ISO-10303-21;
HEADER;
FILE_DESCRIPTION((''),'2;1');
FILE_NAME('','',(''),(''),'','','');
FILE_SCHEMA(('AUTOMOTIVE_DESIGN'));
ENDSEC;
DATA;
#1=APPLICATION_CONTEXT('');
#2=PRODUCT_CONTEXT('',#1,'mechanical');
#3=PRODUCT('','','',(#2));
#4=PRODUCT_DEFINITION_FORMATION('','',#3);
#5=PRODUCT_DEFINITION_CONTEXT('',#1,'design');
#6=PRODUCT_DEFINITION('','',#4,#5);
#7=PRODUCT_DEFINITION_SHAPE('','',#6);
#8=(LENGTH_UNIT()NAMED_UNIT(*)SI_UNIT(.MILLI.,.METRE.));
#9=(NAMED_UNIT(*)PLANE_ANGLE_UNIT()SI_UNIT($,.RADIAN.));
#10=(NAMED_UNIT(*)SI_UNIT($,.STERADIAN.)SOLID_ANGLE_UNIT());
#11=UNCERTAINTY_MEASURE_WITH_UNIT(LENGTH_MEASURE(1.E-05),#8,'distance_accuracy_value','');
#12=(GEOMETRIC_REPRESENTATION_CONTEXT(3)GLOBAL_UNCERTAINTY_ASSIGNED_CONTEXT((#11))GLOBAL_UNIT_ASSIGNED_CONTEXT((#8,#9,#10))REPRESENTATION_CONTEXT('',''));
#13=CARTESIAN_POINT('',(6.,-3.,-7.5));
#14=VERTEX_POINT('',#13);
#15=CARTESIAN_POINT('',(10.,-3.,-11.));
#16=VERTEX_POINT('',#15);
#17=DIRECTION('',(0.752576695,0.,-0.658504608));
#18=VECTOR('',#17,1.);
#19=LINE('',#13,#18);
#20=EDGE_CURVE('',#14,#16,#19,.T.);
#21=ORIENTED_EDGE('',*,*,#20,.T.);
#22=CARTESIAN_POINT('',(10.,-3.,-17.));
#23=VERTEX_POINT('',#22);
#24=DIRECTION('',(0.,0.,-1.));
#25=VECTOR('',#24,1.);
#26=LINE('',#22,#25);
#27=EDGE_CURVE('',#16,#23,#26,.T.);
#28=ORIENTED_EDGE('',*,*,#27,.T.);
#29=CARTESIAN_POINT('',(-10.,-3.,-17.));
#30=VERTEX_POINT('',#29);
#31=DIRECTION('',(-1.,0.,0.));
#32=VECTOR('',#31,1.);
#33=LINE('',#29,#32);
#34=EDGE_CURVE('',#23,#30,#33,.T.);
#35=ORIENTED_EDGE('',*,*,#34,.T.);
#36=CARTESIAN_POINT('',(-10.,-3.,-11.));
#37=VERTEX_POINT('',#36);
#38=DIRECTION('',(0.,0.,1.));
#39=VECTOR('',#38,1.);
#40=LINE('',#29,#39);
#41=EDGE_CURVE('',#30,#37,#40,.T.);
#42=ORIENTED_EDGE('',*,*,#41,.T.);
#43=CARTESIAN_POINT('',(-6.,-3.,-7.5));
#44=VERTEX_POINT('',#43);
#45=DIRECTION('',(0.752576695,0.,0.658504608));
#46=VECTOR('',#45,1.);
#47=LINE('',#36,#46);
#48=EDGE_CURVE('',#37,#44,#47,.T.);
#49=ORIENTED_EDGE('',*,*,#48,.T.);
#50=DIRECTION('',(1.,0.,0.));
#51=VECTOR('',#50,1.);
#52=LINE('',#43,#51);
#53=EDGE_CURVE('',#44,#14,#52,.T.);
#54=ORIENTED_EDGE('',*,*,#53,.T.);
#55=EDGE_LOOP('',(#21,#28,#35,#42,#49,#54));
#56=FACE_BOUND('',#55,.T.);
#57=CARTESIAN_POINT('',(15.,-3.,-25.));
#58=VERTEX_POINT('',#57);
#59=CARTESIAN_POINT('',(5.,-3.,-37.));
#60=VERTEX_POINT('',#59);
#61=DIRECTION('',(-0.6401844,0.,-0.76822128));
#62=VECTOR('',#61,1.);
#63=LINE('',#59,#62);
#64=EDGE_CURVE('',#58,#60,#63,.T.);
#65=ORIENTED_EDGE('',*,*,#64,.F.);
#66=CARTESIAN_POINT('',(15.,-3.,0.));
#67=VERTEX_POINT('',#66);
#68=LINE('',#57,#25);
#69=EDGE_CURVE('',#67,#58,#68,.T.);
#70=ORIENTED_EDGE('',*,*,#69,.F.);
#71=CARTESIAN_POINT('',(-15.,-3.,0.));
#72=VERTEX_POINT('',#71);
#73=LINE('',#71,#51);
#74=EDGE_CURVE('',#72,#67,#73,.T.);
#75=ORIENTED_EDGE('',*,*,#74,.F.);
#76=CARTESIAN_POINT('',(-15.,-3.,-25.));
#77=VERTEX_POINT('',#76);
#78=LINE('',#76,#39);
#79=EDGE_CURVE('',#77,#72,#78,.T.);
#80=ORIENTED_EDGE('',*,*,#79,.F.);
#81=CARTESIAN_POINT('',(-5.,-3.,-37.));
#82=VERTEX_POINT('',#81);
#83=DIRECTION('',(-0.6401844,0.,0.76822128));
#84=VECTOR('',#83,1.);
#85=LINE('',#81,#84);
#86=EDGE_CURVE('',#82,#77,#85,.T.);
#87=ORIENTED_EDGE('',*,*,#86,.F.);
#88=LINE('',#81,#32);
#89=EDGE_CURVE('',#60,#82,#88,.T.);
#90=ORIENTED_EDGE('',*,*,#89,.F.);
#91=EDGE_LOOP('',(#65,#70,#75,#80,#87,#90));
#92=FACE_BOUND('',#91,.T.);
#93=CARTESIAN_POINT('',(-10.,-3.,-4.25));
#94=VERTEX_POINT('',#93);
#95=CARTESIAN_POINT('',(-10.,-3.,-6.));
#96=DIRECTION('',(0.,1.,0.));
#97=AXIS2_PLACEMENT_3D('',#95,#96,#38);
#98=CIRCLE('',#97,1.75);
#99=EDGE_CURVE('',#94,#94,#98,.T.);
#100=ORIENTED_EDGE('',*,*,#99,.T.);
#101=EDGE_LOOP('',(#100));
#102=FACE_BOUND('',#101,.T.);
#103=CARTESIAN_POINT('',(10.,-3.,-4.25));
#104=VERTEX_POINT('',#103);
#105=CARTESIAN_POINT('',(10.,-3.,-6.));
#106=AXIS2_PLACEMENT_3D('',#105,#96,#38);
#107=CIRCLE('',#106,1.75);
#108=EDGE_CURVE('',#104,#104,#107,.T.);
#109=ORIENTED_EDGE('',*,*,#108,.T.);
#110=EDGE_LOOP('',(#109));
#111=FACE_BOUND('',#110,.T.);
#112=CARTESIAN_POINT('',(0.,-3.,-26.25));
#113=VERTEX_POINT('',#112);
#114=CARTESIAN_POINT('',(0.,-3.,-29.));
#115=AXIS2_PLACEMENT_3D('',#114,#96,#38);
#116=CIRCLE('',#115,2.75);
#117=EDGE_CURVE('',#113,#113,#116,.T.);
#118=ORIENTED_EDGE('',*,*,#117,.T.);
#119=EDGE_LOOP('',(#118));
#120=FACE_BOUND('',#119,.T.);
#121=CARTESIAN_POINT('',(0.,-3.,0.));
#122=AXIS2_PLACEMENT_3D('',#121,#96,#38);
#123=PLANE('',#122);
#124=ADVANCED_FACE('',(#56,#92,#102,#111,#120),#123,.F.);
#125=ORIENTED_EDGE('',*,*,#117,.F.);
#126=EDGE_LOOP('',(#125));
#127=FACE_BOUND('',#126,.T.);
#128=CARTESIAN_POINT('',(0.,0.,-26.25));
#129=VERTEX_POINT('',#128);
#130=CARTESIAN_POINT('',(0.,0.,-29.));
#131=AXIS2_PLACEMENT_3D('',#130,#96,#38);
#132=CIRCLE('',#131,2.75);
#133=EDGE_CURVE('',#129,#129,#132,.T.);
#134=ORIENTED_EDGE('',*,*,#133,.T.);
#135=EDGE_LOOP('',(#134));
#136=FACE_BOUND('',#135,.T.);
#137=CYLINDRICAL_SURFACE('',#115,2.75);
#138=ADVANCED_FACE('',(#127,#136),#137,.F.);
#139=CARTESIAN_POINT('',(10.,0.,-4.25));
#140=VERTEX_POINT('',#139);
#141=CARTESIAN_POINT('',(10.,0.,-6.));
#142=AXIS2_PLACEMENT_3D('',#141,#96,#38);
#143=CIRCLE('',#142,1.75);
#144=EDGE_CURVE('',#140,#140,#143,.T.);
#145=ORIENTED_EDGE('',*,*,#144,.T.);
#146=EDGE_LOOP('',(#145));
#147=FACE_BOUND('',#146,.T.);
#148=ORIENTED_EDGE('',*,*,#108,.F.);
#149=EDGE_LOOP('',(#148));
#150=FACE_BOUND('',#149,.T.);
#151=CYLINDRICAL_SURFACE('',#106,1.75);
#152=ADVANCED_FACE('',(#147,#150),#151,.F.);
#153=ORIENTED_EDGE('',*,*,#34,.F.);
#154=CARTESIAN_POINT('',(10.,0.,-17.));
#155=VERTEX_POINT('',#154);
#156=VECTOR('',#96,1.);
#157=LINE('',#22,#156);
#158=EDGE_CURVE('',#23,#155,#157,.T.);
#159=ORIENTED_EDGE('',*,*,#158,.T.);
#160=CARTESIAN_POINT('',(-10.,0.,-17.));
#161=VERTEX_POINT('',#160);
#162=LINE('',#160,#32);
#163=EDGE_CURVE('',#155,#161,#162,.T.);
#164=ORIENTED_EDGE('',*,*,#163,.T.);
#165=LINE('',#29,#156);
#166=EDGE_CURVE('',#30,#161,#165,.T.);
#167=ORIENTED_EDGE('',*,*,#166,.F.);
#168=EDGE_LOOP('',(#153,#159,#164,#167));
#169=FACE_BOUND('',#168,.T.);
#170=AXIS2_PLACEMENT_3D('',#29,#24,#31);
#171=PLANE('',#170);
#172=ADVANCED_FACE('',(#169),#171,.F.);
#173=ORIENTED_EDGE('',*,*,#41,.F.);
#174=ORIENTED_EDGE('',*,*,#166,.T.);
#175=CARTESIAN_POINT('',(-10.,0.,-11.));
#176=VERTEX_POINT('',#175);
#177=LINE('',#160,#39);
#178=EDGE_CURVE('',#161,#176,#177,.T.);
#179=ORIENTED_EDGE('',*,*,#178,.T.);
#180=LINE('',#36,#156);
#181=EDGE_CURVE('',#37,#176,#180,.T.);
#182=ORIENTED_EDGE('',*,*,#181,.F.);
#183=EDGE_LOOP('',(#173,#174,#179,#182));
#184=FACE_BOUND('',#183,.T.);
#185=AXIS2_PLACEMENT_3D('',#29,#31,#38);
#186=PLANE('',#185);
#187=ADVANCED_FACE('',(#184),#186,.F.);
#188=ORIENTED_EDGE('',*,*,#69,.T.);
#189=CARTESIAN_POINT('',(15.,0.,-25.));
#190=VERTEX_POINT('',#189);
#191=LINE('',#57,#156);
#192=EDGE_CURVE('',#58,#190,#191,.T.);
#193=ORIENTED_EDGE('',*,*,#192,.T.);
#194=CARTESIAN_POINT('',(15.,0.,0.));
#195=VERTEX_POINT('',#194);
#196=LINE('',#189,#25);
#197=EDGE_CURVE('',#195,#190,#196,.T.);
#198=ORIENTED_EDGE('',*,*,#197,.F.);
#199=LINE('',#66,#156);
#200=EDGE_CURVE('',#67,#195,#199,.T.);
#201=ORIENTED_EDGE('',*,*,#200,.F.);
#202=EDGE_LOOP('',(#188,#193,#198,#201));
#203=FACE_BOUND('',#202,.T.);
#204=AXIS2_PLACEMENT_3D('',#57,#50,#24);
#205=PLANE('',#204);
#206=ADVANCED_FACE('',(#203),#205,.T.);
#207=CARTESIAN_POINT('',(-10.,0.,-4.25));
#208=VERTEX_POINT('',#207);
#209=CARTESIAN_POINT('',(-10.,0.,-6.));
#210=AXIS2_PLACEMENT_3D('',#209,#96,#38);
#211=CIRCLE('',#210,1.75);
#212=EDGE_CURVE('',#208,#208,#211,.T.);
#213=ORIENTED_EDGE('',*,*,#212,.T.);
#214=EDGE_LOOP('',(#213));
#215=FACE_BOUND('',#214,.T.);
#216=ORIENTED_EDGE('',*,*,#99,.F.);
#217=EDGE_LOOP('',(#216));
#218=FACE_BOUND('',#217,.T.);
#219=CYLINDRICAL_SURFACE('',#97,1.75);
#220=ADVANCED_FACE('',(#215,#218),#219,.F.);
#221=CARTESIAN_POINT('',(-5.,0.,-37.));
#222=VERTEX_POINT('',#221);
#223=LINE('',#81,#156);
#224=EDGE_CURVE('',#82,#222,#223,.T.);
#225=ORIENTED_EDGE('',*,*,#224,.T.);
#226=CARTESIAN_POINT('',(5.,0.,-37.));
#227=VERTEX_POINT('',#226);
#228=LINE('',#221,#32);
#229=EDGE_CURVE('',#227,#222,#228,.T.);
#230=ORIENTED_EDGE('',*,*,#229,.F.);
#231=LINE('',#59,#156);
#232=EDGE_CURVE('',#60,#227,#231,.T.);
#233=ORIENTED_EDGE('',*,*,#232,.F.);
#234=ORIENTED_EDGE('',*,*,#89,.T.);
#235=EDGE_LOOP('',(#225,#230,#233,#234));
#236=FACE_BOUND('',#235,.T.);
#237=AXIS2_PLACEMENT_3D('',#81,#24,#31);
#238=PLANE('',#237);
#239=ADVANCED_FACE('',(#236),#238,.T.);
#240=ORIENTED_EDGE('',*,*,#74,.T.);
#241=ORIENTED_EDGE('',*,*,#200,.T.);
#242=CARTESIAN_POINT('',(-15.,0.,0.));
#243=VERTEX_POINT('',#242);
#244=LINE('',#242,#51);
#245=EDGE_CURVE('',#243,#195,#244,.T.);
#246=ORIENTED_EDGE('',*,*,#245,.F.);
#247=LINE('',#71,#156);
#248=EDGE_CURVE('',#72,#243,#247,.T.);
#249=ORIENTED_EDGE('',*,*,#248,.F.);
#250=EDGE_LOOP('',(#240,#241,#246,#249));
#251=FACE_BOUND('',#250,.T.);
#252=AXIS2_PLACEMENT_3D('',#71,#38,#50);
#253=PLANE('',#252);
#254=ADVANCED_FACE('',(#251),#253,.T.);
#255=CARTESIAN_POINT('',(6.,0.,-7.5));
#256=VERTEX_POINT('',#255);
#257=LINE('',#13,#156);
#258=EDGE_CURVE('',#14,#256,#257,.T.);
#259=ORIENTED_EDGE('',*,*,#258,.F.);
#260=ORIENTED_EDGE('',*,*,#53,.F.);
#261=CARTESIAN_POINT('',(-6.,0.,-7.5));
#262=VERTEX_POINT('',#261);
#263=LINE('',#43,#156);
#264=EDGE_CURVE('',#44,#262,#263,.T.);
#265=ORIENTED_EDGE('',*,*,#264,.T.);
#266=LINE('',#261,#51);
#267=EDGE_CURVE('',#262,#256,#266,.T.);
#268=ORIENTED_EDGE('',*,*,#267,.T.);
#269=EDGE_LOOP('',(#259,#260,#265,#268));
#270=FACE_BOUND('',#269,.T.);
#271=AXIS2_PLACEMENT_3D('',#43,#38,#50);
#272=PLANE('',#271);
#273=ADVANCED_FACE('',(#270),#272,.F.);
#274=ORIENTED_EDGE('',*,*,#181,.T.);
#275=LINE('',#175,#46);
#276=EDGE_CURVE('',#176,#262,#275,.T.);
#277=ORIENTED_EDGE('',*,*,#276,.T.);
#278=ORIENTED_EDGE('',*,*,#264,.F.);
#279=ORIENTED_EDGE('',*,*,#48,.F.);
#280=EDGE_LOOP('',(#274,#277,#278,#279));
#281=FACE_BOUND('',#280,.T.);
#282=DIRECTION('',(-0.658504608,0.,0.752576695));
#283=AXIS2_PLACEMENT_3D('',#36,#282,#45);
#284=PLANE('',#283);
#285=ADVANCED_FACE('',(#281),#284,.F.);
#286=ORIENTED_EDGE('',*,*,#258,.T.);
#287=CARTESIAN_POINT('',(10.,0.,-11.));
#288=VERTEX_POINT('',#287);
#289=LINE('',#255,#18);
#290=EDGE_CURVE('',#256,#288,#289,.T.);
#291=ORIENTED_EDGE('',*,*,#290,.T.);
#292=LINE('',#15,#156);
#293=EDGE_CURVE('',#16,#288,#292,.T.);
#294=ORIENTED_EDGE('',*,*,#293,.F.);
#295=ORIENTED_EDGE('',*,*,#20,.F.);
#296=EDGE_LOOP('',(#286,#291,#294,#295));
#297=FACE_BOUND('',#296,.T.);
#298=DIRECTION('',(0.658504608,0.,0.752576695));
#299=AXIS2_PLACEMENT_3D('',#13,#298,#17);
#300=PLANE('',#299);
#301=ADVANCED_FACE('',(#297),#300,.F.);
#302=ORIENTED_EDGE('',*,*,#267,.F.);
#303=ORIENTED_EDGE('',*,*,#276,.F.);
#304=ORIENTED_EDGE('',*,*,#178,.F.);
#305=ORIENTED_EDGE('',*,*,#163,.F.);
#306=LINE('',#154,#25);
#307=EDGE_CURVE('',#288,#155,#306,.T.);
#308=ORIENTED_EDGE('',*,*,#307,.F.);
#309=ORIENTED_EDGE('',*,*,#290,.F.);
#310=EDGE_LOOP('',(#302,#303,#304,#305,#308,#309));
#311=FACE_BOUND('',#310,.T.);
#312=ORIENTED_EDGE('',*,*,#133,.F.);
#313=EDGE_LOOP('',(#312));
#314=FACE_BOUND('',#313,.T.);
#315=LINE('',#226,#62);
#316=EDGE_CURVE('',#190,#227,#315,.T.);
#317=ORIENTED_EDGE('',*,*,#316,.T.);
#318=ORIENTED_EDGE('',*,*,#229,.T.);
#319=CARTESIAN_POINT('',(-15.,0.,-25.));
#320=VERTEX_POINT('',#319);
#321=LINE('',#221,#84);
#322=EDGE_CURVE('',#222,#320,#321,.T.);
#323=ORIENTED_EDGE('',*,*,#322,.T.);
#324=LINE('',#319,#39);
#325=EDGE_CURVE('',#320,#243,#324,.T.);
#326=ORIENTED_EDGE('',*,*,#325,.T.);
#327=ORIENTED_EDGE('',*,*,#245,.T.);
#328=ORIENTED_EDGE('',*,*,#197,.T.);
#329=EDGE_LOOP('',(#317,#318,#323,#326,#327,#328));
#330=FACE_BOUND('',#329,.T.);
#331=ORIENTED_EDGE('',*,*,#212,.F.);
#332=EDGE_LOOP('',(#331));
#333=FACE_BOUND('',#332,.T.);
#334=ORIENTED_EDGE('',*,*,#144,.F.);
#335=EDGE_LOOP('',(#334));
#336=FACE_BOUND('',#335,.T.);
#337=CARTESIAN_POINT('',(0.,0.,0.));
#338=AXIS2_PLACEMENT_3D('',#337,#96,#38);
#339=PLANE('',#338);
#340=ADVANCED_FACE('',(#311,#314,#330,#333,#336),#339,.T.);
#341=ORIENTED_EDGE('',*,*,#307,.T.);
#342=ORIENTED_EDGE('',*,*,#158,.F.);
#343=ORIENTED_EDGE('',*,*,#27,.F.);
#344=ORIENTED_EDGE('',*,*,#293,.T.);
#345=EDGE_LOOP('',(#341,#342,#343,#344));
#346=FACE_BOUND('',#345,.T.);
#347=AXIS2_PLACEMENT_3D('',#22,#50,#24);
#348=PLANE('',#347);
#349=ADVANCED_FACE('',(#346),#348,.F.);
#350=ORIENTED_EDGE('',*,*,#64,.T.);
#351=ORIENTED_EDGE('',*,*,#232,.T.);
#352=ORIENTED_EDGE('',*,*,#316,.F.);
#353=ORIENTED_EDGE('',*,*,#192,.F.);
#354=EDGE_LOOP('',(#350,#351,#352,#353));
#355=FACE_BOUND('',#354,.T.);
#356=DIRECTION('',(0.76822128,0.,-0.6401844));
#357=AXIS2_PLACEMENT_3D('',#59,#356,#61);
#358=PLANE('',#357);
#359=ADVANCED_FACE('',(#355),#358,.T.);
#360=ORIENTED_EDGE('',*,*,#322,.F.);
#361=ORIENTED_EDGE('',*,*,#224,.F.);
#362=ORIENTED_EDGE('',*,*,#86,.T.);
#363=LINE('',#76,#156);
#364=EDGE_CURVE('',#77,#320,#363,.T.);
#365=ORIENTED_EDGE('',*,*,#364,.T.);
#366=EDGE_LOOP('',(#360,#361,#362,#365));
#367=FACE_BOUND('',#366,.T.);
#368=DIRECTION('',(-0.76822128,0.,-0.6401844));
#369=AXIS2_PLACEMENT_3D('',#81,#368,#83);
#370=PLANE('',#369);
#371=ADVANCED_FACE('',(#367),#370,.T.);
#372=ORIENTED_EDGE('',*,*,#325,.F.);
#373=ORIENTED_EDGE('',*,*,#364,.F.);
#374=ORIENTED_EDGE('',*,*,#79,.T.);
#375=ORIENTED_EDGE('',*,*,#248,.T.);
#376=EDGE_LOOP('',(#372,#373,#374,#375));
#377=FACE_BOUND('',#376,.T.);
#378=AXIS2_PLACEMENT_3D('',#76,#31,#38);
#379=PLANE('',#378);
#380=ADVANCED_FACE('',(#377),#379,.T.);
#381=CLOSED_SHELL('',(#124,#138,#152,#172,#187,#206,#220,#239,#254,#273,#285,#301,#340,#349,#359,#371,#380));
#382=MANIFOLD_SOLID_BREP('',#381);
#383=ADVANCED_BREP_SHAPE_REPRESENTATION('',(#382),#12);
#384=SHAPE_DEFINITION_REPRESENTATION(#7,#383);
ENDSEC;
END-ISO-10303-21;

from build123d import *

# Parameters (mm, degrees)
SKETCH_2_R      = 1.75
SKETCH_2_R_2    = 2.75
EXTRUDE_2_DEPTH = 3


with BuildPart() as part:
    # 草图2 → 凸台-拉伸2 (new body)
    with BuildSketch(Plane(origin=(0, 0, 0), x_dir=(1, 0, 0), z_dir=(0, 1, 0))):
        Polygon((-15, 25), (-15, 0), (15, 0), (15, 25), (5, 37), (-5, 37), align=None)
        with Locations(Location((-10, 6, 0), (0, 0, 270))):
            Circle(SKETCH_2_R, mode=Mode.SUBTRACT)
        with Locations(Location((10, 6, 0), (0, 0, 270))):
            Circle(SKETCH_2_R, mode=Mode.SUBTRACT)
        with Locations(Location((0, 29, 0), (0, 0, 270))):
            Circle(SKETCH_2_R_2, mode=Mode.SUBTRACT)
        Polygon((-10, 17), (10, 17), (10, 11), (6, 7.5), (-6, 7.5), (-10, 11), align=None, mode=Mode.SUBTRACT)
    extrude(amount=-EXTRUDE_2_DEPTH)


solid = part.part
